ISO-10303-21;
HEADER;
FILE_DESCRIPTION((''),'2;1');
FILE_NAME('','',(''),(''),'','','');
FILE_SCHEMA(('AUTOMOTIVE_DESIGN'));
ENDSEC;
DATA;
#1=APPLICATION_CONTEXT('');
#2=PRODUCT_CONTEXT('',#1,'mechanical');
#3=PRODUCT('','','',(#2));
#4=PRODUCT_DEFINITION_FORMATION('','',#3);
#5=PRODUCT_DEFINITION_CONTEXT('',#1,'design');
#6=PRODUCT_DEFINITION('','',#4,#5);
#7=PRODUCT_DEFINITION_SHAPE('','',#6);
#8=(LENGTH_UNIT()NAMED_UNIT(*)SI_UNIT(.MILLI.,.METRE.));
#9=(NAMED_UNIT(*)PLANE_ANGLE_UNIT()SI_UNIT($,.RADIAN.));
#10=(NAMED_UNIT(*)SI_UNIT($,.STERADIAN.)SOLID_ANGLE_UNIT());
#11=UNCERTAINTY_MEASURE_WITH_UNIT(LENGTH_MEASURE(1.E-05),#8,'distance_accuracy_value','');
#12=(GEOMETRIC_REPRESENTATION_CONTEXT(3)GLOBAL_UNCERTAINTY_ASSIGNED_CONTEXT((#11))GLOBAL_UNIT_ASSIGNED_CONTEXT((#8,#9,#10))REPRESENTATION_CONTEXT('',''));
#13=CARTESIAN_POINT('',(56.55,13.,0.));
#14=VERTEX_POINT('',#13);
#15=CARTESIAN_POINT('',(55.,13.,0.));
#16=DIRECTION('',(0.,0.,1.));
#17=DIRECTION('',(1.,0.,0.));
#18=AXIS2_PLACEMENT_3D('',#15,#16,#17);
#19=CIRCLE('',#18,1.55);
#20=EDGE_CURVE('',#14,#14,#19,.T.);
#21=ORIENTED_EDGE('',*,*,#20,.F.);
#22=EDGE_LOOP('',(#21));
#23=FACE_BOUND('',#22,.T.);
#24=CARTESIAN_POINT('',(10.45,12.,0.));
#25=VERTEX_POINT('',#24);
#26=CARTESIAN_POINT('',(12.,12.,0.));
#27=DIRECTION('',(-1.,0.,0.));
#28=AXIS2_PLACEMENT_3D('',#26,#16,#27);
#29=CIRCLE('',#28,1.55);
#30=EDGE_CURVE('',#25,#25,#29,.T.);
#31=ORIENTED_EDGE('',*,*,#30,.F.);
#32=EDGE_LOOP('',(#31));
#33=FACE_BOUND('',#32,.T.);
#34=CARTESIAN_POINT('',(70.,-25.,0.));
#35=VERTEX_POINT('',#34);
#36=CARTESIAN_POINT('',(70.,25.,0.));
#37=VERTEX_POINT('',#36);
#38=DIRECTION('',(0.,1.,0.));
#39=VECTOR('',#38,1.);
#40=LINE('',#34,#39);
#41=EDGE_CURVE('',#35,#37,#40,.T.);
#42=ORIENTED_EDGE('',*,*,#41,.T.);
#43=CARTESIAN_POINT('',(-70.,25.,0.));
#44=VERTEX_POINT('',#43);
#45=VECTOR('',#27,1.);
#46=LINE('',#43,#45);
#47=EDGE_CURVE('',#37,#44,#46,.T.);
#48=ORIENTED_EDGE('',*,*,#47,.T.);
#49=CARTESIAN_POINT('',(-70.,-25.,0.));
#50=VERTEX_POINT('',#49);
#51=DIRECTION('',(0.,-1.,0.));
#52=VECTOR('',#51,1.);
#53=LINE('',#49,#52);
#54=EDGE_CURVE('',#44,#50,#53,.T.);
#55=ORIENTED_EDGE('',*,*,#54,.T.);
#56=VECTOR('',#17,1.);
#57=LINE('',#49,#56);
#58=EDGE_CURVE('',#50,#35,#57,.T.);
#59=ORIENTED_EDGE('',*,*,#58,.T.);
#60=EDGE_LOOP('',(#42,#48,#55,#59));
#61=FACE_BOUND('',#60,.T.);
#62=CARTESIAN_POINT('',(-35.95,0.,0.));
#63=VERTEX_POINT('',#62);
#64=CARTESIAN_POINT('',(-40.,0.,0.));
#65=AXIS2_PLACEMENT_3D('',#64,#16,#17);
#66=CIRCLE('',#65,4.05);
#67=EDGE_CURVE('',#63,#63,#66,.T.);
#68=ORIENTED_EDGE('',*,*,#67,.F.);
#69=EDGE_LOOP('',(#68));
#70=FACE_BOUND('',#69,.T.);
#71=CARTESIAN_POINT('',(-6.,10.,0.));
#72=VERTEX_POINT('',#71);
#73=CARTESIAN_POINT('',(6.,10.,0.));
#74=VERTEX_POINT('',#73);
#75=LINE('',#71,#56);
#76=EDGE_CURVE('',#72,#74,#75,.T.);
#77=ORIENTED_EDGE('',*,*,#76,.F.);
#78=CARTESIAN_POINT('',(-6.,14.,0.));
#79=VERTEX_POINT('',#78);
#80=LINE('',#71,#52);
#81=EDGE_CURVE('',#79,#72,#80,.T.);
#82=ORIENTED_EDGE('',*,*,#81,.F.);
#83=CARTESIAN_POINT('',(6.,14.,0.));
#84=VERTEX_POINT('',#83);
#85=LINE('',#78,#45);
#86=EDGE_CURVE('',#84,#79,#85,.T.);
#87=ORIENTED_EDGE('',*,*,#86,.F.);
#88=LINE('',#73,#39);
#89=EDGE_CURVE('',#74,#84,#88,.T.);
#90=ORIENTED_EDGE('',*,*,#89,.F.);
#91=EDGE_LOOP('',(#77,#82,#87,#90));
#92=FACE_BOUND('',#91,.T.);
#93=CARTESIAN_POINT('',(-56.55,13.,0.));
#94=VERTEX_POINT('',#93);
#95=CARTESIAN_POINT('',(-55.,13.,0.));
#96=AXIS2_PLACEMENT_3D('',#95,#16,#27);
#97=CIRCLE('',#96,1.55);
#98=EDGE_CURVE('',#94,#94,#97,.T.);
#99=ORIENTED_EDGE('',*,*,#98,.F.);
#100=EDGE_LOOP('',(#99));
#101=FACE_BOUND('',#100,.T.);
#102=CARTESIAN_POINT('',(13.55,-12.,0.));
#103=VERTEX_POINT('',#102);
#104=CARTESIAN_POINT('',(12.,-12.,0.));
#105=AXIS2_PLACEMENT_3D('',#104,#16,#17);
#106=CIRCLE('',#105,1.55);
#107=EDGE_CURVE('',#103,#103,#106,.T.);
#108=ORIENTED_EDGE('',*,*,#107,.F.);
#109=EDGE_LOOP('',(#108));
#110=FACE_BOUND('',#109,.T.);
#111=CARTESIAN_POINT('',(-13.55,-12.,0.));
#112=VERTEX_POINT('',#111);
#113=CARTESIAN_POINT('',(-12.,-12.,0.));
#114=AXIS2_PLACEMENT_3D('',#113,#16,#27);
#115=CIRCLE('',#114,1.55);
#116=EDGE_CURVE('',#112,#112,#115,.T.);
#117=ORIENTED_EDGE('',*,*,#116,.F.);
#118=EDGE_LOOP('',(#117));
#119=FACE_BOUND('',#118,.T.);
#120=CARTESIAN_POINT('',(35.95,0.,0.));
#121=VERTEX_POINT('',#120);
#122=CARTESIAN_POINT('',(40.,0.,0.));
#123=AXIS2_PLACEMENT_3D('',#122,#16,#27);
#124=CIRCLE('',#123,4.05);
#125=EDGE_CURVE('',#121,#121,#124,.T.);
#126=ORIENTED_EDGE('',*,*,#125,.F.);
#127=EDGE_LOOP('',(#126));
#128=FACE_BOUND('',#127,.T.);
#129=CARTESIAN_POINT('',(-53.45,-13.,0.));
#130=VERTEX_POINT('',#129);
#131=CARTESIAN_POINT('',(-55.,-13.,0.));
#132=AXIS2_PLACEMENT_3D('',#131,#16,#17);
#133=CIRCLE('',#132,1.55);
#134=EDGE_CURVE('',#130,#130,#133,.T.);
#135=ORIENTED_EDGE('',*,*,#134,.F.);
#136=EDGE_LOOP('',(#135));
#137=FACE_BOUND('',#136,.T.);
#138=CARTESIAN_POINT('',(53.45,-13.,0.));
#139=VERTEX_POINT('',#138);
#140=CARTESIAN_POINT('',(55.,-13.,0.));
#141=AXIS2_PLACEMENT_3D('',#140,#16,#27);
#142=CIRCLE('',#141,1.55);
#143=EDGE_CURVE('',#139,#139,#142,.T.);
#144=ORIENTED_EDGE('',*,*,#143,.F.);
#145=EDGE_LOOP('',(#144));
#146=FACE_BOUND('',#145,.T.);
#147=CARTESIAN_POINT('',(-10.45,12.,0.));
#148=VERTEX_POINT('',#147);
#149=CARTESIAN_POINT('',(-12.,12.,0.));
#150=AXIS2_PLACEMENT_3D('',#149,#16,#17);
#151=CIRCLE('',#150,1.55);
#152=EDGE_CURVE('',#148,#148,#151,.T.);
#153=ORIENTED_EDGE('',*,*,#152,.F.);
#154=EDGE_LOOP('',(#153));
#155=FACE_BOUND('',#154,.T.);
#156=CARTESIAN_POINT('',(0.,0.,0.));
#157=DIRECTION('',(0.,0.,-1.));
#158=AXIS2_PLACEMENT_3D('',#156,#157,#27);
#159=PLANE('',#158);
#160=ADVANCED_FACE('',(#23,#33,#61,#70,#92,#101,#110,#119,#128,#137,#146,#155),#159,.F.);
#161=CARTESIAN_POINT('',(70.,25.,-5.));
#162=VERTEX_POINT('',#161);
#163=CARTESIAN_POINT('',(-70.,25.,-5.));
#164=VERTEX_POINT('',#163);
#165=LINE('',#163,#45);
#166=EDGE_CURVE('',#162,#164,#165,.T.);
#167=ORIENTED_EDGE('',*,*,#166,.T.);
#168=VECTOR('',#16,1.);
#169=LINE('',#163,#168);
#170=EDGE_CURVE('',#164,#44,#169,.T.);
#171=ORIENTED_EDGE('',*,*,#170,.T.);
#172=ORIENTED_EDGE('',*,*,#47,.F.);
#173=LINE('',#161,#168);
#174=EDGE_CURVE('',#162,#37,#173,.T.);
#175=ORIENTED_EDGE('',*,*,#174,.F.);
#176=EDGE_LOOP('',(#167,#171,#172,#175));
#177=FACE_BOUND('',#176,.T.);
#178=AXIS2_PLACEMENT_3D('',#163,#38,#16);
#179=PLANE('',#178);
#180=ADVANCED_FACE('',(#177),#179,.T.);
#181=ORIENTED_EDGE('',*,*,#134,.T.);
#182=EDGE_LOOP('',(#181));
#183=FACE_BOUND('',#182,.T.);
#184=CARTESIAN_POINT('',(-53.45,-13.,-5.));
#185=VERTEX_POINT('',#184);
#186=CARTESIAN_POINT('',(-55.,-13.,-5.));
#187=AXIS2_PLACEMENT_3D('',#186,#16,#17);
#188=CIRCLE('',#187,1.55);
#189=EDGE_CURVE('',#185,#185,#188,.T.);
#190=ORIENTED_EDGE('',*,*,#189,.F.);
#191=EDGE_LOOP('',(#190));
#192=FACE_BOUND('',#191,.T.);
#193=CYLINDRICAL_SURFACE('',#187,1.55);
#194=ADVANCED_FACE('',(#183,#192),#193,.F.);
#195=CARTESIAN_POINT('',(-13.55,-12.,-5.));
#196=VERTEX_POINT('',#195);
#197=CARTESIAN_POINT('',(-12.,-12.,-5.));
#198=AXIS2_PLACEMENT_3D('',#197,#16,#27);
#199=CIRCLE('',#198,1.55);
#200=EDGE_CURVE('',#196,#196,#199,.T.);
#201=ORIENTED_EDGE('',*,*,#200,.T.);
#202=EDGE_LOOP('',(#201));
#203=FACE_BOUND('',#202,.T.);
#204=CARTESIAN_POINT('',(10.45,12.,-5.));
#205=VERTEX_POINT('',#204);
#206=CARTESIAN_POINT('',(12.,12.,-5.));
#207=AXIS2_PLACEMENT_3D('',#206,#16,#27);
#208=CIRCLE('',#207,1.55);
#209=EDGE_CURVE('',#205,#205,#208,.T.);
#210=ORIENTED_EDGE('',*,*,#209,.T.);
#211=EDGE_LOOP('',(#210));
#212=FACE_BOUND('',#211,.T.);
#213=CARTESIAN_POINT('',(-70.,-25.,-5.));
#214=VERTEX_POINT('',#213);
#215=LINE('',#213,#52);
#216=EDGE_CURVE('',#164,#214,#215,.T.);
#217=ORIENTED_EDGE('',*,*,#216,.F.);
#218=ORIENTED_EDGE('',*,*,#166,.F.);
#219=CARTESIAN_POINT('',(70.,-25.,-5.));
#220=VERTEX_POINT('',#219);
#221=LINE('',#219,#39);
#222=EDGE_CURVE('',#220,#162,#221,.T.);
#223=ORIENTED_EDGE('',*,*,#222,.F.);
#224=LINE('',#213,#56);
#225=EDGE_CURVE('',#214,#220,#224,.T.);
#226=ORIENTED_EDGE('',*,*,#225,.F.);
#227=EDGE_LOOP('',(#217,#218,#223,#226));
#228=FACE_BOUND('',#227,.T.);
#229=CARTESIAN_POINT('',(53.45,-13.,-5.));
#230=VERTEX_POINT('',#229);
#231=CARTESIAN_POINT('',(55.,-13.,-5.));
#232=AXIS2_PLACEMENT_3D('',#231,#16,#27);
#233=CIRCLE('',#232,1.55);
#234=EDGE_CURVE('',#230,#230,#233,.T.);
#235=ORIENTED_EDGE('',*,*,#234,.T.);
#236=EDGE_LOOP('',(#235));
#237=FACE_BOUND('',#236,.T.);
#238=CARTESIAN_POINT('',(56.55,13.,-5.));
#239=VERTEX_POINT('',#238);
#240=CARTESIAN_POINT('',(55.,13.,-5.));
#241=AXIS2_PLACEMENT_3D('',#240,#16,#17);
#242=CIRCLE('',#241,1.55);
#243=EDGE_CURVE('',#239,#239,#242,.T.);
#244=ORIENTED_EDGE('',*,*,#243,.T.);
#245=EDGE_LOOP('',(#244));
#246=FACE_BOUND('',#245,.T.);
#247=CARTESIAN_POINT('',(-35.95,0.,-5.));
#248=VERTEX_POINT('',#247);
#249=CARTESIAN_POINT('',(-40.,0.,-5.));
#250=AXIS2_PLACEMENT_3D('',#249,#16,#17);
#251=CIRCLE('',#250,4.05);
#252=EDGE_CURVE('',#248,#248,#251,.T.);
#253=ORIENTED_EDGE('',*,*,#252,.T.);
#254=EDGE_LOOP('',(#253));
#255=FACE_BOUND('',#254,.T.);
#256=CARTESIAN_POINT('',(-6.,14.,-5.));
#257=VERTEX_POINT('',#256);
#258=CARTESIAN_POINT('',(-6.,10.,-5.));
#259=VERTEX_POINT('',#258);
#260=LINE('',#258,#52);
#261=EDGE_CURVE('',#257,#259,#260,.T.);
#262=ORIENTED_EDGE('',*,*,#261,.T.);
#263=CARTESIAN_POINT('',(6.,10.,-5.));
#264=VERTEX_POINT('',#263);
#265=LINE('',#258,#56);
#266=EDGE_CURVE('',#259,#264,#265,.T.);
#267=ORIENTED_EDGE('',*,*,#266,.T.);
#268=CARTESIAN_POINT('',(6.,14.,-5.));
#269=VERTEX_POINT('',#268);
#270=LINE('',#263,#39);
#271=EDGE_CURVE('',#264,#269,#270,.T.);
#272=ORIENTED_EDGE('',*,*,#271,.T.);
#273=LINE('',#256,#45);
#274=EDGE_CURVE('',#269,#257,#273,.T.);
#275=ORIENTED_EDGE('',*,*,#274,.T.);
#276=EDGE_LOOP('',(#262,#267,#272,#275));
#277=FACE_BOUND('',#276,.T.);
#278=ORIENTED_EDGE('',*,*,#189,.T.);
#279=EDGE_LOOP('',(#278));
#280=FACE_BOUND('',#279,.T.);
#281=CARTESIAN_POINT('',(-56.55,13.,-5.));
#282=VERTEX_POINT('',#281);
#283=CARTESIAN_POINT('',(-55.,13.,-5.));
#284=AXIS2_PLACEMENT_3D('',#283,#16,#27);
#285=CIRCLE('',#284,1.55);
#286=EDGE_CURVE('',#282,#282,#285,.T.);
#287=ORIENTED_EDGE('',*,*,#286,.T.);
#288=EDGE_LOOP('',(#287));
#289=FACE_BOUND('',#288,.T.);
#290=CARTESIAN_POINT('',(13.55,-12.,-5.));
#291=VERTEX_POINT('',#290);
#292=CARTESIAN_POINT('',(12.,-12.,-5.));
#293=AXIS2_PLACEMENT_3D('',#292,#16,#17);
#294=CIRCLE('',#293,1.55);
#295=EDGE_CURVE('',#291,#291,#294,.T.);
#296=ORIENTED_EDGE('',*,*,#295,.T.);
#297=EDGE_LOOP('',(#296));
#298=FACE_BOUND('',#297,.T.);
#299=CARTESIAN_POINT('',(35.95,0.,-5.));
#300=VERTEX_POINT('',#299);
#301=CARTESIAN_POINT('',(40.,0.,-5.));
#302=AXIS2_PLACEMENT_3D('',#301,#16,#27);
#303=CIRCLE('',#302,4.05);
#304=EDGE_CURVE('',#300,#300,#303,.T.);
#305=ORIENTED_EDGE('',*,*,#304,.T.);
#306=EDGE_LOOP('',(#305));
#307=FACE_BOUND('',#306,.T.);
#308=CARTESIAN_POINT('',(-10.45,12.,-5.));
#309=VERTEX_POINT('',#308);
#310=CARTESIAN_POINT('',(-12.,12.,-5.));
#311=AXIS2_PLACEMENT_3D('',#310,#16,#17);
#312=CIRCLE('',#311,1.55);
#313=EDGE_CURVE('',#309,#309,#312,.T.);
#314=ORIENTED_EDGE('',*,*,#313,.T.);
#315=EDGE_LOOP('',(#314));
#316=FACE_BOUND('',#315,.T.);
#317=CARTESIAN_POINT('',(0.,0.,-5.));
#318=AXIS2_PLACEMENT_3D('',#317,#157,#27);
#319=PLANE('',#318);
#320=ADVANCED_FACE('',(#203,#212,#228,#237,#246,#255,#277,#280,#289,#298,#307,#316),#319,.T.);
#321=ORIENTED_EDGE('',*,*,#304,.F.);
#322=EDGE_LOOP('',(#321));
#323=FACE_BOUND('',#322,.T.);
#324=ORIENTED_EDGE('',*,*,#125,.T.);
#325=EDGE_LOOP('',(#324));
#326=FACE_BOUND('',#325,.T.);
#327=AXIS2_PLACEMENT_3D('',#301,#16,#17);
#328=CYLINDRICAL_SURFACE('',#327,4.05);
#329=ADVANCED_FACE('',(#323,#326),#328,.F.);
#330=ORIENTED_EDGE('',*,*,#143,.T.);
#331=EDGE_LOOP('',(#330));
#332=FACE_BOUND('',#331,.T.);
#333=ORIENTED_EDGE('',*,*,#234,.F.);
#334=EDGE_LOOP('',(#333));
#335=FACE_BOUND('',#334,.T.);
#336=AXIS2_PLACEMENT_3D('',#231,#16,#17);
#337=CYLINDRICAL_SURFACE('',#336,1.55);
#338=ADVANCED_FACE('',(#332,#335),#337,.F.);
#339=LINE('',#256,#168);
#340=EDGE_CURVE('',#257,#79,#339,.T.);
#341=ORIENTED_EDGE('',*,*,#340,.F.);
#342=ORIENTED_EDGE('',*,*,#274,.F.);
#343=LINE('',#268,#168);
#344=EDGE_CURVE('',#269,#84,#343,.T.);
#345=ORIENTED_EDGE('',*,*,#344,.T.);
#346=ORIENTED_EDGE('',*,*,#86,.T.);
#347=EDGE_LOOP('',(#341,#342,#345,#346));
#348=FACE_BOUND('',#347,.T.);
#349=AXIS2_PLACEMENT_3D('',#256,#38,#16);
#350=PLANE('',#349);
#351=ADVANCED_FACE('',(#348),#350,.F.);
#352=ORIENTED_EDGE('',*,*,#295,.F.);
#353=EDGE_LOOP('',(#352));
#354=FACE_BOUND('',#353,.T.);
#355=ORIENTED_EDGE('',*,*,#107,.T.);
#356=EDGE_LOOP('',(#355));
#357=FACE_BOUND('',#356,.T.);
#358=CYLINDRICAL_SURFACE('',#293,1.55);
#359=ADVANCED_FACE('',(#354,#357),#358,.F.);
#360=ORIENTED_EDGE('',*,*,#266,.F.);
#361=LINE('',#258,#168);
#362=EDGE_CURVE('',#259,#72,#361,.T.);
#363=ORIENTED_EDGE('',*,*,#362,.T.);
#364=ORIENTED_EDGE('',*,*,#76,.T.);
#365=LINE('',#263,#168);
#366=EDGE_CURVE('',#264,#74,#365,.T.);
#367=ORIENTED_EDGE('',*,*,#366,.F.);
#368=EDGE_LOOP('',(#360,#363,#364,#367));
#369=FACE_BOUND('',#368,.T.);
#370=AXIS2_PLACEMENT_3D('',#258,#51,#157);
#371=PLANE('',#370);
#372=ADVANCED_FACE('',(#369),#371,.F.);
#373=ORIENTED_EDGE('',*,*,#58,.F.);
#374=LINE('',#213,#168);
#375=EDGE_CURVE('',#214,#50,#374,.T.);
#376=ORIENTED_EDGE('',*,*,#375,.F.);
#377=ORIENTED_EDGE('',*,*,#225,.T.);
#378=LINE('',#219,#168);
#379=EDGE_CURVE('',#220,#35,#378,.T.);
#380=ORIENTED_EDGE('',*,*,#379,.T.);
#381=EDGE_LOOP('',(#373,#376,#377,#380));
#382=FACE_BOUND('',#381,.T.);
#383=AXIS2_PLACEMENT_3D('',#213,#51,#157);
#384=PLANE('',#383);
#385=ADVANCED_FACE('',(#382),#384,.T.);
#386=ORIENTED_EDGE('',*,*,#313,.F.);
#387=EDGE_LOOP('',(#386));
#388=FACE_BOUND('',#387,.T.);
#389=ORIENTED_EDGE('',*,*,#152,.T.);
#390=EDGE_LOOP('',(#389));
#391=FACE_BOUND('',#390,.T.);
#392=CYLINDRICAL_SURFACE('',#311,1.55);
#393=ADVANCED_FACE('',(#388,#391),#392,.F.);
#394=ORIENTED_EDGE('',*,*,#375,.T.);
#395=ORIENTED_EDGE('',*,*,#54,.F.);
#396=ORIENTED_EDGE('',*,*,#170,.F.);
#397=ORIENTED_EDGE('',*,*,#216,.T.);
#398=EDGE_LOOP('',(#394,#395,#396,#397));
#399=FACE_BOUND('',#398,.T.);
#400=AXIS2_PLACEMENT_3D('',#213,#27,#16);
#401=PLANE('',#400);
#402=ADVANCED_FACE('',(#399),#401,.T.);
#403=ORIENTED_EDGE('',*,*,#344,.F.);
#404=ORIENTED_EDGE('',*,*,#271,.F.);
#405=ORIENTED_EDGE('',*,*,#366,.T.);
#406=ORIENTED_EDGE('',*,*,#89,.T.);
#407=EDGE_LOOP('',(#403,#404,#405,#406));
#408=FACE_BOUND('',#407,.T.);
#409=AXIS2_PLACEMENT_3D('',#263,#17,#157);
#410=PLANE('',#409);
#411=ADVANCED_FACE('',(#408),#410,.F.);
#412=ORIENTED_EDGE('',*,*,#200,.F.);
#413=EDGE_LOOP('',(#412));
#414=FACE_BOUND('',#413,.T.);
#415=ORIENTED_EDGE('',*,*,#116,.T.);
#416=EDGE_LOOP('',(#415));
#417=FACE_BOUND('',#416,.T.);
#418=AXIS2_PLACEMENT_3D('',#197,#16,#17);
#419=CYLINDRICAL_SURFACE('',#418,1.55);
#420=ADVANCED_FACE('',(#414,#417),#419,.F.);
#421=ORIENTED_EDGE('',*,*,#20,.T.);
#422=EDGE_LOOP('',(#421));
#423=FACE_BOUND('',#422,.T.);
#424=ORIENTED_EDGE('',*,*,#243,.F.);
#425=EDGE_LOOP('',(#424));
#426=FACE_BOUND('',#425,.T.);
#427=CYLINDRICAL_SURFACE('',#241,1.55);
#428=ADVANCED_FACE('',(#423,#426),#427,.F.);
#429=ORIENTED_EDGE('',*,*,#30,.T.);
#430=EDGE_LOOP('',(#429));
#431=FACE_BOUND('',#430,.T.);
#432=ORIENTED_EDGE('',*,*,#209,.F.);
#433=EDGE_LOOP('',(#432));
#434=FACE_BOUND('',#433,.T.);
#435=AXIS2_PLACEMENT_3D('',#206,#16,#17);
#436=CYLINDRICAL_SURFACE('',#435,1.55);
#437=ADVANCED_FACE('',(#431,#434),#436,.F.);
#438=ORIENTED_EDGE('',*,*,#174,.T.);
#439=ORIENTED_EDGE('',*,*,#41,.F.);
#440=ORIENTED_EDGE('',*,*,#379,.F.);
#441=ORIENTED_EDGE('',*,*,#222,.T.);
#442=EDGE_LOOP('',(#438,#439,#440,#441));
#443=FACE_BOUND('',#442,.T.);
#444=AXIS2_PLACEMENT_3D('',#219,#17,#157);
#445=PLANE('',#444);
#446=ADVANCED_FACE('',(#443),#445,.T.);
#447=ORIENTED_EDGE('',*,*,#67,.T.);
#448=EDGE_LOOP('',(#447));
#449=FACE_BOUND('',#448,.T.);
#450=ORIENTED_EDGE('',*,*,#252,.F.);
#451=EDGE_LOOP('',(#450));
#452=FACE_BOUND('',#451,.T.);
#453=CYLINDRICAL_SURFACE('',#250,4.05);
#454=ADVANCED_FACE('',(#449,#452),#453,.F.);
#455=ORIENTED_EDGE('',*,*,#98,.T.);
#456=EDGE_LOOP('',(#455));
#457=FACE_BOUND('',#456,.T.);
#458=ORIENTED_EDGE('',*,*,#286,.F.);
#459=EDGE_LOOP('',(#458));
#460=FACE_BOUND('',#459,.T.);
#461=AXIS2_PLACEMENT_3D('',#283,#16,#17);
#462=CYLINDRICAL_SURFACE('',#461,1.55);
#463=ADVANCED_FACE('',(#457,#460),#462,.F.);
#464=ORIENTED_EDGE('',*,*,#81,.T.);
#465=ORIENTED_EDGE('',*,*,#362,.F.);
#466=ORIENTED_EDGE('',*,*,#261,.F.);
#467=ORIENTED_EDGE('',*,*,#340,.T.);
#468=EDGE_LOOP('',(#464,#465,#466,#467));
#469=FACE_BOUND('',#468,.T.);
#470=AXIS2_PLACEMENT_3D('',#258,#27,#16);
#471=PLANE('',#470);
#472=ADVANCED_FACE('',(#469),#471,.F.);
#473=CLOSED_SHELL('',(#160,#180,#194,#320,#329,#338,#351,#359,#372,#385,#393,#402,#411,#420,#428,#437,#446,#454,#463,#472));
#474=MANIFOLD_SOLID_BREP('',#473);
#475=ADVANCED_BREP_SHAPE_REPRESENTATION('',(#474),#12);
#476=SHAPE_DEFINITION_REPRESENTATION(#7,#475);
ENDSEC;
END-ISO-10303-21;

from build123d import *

# Parameters (mm, degrees)
ESQUISSE1_W        = 140
ESQUISSE1_H        = 50
ESQUISSE1_R        = 4.05
ESQUISSE1_R_2      = 1.55
ESQUISSE1_W_2      = 12
ESQUISSE1_H_2      = 4
BOSS_EXTRU_1_DEPTH = 5


with BuildPart() as part:
    # Esquisse1 → Boss.-Extru.1 (new body)
    with BuildSketch(Plane.XY):
        Rectangle(ESQUISSE1_W, ESQUISSE1_H)
        with Locations((-40, 0)):
            Circle(ESQUISSE1_R, mode=Mode.SUBTRACT)
        with Locations((-55, -13)):
            Circle(ESQUISSE1_R_2, mode=Mode.SUBTRACT)
        with Locations(Location((-55, 13, 0), (0, 0, 180))):
            Circle(ESQUISSE1_R_2, mode=Mode.SUBTRACT)
        with Locations(Location((55, -13, 0), (0, 0, 180))):
            Circle(ESQUISSE1_R_2, mode=Mode.SUBTRACT)
        with Locations((55, 13)):
            Circle(ESQUISSE1_R_2, mode=Mode.SUBTRACT)
        with Locations(Location((40, 0, 0), (0, 0, 180))):
            Circle(ESQUISSE1_R, mode=Mode.SUBTRACT)
        with Locations((-12, 12)):
            Circle(ESQUISSE1_R_2, mode=Mode.SUBTRACT)
        with Locations(Location((-12, -12, 0), (0, 0, 180))):
            Circle(ESQUISSE1_R_2, mode=Mode.SUBTRACT)
        with Locations((12, -12)):
            Circle(ESQUISSE1_R_2, mode=Mode.SUBTRACT)
        with Locations(Location((12, 12, 0), (0, 0, 180))):
            Circle(ESQUISSE1_R_2, mode=Mode.SUBTRACT)
        with Locations((0, 12)):
            Rectangle(ESQUISSE1_W_2, ESQUISSE1_H_2, mode=Mode.SUBTRACT)
    extrude(amount=-BOSS_EXTRU_1_DEPTH)


solid = part.part
